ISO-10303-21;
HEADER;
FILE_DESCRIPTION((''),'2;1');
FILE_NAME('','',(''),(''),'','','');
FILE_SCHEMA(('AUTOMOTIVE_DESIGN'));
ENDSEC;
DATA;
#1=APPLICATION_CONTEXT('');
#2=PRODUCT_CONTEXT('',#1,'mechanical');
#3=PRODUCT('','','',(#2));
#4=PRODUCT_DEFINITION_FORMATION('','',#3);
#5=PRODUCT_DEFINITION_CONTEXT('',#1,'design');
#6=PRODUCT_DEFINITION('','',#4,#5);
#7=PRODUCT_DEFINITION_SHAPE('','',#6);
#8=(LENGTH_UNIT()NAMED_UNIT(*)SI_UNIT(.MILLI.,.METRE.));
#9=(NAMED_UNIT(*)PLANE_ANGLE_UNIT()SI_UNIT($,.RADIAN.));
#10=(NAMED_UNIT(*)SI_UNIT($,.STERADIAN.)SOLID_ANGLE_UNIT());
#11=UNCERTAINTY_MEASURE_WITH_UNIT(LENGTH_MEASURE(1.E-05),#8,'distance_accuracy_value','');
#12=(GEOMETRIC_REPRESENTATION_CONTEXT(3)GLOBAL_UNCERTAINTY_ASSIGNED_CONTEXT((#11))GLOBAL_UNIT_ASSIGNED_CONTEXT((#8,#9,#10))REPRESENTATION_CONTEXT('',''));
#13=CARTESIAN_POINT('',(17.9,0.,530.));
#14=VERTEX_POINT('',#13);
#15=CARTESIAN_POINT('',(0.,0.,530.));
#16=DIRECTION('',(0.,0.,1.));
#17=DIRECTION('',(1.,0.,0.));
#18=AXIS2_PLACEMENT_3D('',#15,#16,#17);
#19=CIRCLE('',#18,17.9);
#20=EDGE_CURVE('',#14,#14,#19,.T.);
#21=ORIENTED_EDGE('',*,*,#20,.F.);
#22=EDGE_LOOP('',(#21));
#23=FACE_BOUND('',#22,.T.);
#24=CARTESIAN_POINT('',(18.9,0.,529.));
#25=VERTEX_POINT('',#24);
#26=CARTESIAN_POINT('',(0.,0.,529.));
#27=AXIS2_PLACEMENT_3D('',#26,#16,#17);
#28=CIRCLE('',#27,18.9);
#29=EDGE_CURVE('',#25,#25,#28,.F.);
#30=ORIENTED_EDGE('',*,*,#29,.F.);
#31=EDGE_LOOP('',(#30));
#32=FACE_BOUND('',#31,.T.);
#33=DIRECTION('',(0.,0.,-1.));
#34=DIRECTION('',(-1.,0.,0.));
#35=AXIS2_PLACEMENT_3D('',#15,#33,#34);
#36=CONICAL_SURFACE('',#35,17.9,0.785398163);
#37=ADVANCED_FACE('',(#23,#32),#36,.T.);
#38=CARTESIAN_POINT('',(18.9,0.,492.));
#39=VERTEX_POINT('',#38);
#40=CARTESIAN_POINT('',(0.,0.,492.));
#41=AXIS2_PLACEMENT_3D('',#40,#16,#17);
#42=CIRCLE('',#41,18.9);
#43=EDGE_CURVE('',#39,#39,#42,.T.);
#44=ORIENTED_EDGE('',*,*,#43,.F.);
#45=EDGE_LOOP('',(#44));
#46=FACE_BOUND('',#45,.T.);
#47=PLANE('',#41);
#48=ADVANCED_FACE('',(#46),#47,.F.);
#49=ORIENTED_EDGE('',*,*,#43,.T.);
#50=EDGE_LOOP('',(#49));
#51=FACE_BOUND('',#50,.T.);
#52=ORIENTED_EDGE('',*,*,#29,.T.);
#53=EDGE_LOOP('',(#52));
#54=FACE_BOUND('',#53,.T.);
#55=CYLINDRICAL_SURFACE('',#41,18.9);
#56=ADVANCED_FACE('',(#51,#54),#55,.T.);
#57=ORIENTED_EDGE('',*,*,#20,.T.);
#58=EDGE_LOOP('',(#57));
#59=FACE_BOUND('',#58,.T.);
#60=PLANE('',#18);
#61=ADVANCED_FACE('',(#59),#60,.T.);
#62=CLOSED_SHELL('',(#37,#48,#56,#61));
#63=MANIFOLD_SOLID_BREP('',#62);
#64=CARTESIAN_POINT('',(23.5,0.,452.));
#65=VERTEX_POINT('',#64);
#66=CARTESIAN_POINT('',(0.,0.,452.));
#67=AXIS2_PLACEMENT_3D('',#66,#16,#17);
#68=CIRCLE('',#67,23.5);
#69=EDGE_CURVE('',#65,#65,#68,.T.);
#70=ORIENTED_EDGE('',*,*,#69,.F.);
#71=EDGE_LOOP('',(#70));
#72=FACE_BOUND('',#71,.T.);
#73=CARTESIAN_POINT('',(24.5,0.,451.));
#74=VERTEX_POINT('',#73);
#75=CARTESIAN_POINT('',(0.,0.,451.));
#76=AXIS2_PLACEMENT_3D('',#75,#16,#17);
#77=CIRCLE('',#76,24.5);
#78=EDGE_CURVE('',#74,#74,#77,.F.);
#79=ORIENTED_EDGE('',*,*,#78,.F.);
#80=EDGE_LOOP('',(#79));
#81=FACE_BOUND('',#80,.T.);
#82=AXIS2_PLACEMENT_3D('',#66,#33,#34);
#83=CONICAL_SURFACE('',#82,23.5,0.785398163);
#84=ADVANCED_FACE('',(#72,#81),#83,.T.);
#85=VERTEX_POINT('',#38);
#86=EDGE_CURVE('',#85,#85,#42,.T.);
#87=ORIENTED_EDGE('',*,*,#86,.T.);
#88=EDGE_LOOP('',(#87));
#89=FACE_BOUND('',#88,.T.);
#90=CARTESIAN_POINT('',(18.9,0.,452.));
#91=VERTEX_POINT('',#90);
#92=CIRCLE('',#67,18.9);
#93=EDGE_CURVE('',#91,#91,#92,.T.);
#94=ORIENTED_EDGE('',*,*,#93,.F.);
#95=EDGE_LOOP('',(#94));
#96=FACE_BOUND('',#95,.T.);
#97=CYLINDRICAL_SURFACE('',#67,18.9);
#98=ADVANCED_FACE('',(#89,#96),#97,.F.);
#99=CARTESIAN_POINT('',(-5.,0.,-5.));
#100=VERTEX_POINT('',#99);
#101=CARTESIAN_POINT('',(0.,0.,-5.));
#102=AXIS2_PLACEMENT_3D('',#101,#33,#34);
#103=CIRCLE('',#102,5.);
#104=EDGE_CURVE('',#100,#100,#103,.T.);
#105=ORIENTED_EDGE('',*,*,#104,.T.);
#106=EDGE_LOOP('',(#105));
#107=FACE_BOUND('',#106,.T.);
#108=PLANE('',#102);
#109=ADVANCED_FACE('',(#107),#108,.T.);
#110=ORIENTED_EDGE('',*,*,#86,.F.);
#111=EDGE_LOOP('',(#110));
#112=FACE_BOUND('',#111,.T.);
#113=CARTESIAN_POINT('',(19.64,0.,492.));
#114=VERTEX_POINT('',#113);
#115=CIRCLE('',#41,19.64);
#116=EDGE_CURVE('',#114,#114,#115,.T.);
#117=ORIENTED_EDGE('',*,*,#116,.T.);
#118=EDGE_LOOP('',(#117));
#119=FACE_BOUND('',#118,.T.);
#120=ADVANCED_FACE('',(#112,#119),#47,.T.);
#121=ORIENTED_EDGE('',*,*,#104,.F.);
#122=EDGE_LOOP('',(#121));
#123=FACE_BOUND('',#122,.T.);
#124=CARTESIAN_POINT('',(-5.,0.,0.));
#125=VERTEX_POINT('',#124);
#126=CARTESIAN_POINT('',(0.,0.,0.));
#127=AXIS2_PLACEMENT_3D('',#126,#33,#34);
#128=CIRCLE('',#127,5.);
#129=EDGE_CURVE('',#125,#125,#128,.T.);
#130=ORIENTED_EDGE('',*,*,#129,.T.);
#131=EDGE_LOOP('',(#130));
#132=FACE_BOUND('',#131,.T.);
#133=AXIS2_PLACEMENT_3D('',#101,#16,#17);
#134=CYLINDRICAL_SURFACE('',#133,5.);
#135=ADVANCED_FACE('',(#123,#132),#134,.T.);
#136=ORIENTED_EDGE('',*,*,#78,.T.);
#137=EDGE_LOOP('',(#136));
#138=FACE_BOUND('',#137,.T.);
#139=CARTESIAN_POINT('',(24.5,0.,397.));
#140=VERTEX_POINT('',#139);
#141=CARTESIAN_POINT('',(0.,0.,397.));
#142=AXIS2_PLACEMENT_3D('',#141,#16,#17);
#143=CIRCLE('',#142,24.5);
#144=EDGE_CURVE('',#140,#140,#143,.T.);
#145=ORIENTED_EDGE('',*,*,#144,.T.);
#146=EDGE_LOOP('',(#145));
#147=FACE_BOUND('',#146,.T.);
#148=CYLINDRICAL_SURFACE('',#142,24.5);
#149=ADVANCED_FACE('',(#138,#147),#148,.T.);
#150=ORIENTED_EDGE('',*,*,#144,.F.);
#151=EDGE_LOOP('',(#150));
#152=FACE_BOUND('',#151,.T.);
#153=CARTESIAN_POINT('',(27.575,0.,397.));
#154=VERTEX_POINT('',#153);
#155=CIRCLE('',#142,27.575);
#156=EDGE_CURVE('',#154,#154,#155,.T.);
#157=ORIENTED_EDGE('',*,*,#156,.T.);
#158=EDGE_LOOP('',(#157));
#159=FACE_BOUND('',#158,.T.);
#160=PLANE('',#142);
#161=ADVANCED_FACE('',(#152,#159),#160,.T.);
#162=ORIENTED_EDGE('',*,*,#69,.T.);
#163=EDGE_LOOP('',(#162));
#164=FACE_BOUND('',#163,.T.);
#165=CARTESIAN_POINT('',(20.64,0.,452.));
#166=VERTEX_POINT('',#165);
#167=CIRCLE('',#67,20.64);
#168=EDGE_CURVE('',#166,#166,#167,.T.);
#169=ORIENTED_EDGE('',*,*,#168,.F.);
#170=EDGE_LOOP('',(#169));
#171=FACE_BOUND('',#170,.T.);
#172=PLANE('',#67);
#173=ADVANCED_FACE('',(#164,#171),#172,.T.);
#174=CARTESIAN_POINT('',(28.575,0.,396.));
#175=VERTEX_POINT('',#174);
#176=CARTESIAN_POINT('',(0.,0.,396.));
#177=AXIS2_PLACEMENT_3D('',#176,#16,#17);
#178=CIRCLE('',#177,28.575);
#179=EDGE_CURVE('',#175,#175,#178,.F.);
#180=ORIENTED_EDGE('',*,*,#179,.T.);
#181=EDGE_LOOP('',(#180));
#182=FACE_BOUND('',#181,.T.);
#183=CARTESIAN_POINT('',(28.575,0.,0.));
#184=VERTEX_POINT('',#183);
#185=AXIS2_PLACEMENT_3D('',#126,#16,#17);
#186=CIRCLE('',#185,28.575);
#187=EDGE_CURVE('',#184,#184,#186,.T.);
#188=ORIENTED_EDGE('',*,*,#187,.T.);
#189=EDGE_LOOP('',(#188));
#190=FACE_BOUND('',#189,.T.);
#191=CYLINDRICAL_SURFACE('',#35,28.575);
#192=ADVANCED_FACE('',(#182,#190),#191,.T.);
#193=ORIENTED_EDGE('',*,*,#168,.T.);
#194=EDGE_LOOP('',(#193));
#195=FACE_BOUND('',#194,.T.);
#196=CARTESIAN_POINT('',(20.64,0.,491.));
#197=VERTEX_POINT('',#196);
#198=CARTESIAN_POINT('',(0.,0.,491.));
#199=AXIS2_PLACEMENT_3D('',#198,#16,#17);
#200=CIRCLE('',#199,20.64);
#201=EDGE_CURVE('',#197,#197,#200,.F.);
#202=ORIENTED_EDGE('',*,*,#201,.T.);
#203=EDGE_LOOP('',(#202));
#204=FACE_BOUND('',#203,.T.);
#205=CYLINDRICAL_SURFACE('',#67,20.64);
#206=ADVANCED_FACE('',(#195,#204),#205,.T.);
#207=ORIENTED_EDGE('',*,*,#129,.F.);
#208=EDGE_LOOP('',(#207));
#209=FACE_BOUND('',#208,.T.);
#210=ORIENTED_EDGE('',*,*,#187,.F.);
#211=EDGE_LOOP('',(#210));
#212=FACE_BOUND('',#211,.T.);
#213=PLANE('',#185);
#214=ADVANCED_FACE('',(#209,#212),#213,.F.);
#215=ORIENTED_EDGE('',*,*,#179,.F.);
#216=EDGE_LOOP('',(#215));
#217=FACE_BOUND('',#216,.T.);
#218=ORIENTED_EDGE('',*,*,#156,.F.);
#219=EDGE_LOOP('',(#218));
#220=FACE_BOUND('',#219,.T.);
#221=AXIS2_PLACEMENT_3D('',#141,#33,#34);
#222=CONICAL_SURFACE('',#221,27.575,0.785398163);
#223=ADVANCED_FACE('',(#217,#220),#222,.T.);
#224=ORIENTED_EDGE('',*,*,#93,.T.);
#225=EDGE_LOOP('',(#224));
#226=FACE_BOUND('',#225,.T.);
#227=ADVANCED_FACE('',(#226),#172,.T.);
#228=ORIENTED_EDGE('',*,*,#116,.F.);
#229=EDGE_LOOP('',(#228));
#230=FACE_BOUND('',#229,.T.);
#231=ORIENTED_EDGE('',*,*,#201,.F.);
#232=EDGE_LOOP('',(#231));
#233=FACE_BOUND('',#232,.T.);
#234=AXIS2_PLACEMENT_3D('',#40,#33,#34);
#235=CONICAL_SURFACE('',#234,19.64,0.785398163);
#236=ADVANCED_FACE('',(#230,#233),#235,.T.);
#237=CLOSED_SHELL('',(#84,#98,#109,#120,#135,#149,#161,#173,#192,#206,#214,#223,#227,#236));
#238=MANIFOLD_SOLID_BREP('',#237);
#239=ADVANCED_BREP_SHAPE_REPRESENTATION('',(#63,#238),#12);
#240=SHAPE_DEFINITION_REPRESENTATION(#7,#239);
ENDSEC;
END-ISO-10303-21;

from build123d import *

# Parameters (mm, degrees)
SZKIC1_R                    = 28.575
DODANIE_WYCI_GNI_CIE1_DEPTH = 530
SZKIC2_OUTSIDE_W            = 166.376
SZKIC2_OUTSIDE_H            = 166.376
SZKIC2_OUTSIDE_R            = 18.9
WYTNIJ_WYCI_GNI_CIE1_DEPTH  = 38
SZKIC3_OUTSIDE_W            = 166.376
SZKIC3_OUTSIDE_H            = 166.376
SZKIC3_OUTSIDE_R            = 20.64
SZKIC3_OUTSIDE_R_2          = 18.9
WYTNIJ_WYCI_GNI_CIE2_DEPTH  = 40
SZKIC4_OUTSIDE_W            = 166.376
SZKIC4_OUTSIDE_H            = 166.376
SZKIC4_OUTSIDE_R            = 24.5
WYTNIJ_WYCI_GNI_CIE3_DEPTH  = 55
SZKIC5_R                    = 5
DODANIE_WYCI_GNI_CIE2_DEPTH = 5
SFAZOWANIE1_SIZE            = 1
SFAZOWANIE2_SIZE            = 1


with BuildPart() as part:
    # Szkic1 → Dodanie-wyciągnięcie1 (new body)
    with BuildSketch(Plane.XY):
        Circle(SZKIC1_R)
    extrude(amount=DODANIE_WYCI_GNI_CIE1_DEPTH)

    # Szkic2 outside → Wytnij-wyciągnięcie1 (cut)
    with BuildSketch(Plane.XY.offset(530)):
        Rectangle(SZKIC2_OUTSIDE_W, SZKIC2_OUTSIDE_H)
        Circle(SZKIC2_OUTSIDE_R, mode=Mode.SUBTRACT)
    extrude(amount=-WYTNIJ_WYCI_GNI_CIE1_DEPTH, mode=Mode.SUBTRACT)

    # Szkic3 outside → Wytnij-wyciągnięcie2 (cut)
    # profile 1 of 2: a face of its own
    with BuildSketch(Plane.XY.offset(492)):
        Rectangle(SZKIC3_OUTSIDE_W, SZKIC3_OUTSIDE_H)
        Circle(SZKIC3_OUTSIDE_R, mode=Mode.SUBTRACT)
    # profile 2 of 2: a face of its own
    with BuildSketch(Plane.XY.offset(492)):
        Circle(SZKIC3_OUTSIDE_R_2)
    extrude(amount=-WYTNIJ_WYCI_GNI_CIE2_DEPTH, mode=Mode.SUBTRACT)


with BuildPart() as wytnij_wyci_gni_cie2_piece_1:
    # of the separate pieces the step leaves, piece 1, a body of its own (wytnij_wyci_gni_cie2_pieces)
    add(part.part.solids().sort_by_distance((28.575, 0, 0))[0])

    # Szkic4 outside → Wytnij-wyciągnięcie3 (cut)
    with BuildSketch(Plane.XY.offset(452)):
        Rectangle(SZKIC4_OUTSIDE_W, SZKIC4_OUTSIDE_H)
        Circle(SZKIC4_OUTSIDE_R, mode=Mode.SUBTRACT)
    extrude(amount=-WYTNIJ_WYCI_GNI_CIE3_DEPTH, mode=Mode.SUBTRACT)

    # Szkic5 → Dodanie-wyciągnięcie2 (add)
    with BuildSketch(Plane(origin=(0, 0, 0), x_dir=(-1, 0, 0), z_dir=(0, 0, -1))):
        Circle(SZKIC5_R)
    extrude(amount=DODANIE_WYCI_GNI_CIE2_DEPTH)

    # Sfazowanie2
    sfazowanie2_edges = [wytnij_wyci_gni_cie2_piece_1.edges().sort_by_distance(p)[0] for p in [
        (-28.575, 0, 397),
        (-24.5, 0, 452),
        (-20.64, 0, 492),
    ]]
    chamfer(sfazowanie2_edges, length=SFAZOWANIE2_SIZE)


with BuildPart() as wytnij_wyci_gni_cie2_piece_2:
    # of the separate pieces the step leaves, piece 2, a body of its own (wytnij_wyci_gni_cie2_pieces)
    add(part.part.solids().sort_by_distance((18.9, 0, 530))[0])

    # Sfazowanie1
    sfazowanie1_edges = [wytnij_wyci_gni_cie2_piece_2.edges().sort_by_distance(p)[0] for p in [
        (-18.9, 0, 530),
    ]]
    chamfer(sfazowanie1_edges, length=SFAZOWANIE1_SIZE)


solid = Compound([wytnij_wyci_gni_cie2_piece_1.part, wytnij_wyci_gni_cie2_piece_2.part])
